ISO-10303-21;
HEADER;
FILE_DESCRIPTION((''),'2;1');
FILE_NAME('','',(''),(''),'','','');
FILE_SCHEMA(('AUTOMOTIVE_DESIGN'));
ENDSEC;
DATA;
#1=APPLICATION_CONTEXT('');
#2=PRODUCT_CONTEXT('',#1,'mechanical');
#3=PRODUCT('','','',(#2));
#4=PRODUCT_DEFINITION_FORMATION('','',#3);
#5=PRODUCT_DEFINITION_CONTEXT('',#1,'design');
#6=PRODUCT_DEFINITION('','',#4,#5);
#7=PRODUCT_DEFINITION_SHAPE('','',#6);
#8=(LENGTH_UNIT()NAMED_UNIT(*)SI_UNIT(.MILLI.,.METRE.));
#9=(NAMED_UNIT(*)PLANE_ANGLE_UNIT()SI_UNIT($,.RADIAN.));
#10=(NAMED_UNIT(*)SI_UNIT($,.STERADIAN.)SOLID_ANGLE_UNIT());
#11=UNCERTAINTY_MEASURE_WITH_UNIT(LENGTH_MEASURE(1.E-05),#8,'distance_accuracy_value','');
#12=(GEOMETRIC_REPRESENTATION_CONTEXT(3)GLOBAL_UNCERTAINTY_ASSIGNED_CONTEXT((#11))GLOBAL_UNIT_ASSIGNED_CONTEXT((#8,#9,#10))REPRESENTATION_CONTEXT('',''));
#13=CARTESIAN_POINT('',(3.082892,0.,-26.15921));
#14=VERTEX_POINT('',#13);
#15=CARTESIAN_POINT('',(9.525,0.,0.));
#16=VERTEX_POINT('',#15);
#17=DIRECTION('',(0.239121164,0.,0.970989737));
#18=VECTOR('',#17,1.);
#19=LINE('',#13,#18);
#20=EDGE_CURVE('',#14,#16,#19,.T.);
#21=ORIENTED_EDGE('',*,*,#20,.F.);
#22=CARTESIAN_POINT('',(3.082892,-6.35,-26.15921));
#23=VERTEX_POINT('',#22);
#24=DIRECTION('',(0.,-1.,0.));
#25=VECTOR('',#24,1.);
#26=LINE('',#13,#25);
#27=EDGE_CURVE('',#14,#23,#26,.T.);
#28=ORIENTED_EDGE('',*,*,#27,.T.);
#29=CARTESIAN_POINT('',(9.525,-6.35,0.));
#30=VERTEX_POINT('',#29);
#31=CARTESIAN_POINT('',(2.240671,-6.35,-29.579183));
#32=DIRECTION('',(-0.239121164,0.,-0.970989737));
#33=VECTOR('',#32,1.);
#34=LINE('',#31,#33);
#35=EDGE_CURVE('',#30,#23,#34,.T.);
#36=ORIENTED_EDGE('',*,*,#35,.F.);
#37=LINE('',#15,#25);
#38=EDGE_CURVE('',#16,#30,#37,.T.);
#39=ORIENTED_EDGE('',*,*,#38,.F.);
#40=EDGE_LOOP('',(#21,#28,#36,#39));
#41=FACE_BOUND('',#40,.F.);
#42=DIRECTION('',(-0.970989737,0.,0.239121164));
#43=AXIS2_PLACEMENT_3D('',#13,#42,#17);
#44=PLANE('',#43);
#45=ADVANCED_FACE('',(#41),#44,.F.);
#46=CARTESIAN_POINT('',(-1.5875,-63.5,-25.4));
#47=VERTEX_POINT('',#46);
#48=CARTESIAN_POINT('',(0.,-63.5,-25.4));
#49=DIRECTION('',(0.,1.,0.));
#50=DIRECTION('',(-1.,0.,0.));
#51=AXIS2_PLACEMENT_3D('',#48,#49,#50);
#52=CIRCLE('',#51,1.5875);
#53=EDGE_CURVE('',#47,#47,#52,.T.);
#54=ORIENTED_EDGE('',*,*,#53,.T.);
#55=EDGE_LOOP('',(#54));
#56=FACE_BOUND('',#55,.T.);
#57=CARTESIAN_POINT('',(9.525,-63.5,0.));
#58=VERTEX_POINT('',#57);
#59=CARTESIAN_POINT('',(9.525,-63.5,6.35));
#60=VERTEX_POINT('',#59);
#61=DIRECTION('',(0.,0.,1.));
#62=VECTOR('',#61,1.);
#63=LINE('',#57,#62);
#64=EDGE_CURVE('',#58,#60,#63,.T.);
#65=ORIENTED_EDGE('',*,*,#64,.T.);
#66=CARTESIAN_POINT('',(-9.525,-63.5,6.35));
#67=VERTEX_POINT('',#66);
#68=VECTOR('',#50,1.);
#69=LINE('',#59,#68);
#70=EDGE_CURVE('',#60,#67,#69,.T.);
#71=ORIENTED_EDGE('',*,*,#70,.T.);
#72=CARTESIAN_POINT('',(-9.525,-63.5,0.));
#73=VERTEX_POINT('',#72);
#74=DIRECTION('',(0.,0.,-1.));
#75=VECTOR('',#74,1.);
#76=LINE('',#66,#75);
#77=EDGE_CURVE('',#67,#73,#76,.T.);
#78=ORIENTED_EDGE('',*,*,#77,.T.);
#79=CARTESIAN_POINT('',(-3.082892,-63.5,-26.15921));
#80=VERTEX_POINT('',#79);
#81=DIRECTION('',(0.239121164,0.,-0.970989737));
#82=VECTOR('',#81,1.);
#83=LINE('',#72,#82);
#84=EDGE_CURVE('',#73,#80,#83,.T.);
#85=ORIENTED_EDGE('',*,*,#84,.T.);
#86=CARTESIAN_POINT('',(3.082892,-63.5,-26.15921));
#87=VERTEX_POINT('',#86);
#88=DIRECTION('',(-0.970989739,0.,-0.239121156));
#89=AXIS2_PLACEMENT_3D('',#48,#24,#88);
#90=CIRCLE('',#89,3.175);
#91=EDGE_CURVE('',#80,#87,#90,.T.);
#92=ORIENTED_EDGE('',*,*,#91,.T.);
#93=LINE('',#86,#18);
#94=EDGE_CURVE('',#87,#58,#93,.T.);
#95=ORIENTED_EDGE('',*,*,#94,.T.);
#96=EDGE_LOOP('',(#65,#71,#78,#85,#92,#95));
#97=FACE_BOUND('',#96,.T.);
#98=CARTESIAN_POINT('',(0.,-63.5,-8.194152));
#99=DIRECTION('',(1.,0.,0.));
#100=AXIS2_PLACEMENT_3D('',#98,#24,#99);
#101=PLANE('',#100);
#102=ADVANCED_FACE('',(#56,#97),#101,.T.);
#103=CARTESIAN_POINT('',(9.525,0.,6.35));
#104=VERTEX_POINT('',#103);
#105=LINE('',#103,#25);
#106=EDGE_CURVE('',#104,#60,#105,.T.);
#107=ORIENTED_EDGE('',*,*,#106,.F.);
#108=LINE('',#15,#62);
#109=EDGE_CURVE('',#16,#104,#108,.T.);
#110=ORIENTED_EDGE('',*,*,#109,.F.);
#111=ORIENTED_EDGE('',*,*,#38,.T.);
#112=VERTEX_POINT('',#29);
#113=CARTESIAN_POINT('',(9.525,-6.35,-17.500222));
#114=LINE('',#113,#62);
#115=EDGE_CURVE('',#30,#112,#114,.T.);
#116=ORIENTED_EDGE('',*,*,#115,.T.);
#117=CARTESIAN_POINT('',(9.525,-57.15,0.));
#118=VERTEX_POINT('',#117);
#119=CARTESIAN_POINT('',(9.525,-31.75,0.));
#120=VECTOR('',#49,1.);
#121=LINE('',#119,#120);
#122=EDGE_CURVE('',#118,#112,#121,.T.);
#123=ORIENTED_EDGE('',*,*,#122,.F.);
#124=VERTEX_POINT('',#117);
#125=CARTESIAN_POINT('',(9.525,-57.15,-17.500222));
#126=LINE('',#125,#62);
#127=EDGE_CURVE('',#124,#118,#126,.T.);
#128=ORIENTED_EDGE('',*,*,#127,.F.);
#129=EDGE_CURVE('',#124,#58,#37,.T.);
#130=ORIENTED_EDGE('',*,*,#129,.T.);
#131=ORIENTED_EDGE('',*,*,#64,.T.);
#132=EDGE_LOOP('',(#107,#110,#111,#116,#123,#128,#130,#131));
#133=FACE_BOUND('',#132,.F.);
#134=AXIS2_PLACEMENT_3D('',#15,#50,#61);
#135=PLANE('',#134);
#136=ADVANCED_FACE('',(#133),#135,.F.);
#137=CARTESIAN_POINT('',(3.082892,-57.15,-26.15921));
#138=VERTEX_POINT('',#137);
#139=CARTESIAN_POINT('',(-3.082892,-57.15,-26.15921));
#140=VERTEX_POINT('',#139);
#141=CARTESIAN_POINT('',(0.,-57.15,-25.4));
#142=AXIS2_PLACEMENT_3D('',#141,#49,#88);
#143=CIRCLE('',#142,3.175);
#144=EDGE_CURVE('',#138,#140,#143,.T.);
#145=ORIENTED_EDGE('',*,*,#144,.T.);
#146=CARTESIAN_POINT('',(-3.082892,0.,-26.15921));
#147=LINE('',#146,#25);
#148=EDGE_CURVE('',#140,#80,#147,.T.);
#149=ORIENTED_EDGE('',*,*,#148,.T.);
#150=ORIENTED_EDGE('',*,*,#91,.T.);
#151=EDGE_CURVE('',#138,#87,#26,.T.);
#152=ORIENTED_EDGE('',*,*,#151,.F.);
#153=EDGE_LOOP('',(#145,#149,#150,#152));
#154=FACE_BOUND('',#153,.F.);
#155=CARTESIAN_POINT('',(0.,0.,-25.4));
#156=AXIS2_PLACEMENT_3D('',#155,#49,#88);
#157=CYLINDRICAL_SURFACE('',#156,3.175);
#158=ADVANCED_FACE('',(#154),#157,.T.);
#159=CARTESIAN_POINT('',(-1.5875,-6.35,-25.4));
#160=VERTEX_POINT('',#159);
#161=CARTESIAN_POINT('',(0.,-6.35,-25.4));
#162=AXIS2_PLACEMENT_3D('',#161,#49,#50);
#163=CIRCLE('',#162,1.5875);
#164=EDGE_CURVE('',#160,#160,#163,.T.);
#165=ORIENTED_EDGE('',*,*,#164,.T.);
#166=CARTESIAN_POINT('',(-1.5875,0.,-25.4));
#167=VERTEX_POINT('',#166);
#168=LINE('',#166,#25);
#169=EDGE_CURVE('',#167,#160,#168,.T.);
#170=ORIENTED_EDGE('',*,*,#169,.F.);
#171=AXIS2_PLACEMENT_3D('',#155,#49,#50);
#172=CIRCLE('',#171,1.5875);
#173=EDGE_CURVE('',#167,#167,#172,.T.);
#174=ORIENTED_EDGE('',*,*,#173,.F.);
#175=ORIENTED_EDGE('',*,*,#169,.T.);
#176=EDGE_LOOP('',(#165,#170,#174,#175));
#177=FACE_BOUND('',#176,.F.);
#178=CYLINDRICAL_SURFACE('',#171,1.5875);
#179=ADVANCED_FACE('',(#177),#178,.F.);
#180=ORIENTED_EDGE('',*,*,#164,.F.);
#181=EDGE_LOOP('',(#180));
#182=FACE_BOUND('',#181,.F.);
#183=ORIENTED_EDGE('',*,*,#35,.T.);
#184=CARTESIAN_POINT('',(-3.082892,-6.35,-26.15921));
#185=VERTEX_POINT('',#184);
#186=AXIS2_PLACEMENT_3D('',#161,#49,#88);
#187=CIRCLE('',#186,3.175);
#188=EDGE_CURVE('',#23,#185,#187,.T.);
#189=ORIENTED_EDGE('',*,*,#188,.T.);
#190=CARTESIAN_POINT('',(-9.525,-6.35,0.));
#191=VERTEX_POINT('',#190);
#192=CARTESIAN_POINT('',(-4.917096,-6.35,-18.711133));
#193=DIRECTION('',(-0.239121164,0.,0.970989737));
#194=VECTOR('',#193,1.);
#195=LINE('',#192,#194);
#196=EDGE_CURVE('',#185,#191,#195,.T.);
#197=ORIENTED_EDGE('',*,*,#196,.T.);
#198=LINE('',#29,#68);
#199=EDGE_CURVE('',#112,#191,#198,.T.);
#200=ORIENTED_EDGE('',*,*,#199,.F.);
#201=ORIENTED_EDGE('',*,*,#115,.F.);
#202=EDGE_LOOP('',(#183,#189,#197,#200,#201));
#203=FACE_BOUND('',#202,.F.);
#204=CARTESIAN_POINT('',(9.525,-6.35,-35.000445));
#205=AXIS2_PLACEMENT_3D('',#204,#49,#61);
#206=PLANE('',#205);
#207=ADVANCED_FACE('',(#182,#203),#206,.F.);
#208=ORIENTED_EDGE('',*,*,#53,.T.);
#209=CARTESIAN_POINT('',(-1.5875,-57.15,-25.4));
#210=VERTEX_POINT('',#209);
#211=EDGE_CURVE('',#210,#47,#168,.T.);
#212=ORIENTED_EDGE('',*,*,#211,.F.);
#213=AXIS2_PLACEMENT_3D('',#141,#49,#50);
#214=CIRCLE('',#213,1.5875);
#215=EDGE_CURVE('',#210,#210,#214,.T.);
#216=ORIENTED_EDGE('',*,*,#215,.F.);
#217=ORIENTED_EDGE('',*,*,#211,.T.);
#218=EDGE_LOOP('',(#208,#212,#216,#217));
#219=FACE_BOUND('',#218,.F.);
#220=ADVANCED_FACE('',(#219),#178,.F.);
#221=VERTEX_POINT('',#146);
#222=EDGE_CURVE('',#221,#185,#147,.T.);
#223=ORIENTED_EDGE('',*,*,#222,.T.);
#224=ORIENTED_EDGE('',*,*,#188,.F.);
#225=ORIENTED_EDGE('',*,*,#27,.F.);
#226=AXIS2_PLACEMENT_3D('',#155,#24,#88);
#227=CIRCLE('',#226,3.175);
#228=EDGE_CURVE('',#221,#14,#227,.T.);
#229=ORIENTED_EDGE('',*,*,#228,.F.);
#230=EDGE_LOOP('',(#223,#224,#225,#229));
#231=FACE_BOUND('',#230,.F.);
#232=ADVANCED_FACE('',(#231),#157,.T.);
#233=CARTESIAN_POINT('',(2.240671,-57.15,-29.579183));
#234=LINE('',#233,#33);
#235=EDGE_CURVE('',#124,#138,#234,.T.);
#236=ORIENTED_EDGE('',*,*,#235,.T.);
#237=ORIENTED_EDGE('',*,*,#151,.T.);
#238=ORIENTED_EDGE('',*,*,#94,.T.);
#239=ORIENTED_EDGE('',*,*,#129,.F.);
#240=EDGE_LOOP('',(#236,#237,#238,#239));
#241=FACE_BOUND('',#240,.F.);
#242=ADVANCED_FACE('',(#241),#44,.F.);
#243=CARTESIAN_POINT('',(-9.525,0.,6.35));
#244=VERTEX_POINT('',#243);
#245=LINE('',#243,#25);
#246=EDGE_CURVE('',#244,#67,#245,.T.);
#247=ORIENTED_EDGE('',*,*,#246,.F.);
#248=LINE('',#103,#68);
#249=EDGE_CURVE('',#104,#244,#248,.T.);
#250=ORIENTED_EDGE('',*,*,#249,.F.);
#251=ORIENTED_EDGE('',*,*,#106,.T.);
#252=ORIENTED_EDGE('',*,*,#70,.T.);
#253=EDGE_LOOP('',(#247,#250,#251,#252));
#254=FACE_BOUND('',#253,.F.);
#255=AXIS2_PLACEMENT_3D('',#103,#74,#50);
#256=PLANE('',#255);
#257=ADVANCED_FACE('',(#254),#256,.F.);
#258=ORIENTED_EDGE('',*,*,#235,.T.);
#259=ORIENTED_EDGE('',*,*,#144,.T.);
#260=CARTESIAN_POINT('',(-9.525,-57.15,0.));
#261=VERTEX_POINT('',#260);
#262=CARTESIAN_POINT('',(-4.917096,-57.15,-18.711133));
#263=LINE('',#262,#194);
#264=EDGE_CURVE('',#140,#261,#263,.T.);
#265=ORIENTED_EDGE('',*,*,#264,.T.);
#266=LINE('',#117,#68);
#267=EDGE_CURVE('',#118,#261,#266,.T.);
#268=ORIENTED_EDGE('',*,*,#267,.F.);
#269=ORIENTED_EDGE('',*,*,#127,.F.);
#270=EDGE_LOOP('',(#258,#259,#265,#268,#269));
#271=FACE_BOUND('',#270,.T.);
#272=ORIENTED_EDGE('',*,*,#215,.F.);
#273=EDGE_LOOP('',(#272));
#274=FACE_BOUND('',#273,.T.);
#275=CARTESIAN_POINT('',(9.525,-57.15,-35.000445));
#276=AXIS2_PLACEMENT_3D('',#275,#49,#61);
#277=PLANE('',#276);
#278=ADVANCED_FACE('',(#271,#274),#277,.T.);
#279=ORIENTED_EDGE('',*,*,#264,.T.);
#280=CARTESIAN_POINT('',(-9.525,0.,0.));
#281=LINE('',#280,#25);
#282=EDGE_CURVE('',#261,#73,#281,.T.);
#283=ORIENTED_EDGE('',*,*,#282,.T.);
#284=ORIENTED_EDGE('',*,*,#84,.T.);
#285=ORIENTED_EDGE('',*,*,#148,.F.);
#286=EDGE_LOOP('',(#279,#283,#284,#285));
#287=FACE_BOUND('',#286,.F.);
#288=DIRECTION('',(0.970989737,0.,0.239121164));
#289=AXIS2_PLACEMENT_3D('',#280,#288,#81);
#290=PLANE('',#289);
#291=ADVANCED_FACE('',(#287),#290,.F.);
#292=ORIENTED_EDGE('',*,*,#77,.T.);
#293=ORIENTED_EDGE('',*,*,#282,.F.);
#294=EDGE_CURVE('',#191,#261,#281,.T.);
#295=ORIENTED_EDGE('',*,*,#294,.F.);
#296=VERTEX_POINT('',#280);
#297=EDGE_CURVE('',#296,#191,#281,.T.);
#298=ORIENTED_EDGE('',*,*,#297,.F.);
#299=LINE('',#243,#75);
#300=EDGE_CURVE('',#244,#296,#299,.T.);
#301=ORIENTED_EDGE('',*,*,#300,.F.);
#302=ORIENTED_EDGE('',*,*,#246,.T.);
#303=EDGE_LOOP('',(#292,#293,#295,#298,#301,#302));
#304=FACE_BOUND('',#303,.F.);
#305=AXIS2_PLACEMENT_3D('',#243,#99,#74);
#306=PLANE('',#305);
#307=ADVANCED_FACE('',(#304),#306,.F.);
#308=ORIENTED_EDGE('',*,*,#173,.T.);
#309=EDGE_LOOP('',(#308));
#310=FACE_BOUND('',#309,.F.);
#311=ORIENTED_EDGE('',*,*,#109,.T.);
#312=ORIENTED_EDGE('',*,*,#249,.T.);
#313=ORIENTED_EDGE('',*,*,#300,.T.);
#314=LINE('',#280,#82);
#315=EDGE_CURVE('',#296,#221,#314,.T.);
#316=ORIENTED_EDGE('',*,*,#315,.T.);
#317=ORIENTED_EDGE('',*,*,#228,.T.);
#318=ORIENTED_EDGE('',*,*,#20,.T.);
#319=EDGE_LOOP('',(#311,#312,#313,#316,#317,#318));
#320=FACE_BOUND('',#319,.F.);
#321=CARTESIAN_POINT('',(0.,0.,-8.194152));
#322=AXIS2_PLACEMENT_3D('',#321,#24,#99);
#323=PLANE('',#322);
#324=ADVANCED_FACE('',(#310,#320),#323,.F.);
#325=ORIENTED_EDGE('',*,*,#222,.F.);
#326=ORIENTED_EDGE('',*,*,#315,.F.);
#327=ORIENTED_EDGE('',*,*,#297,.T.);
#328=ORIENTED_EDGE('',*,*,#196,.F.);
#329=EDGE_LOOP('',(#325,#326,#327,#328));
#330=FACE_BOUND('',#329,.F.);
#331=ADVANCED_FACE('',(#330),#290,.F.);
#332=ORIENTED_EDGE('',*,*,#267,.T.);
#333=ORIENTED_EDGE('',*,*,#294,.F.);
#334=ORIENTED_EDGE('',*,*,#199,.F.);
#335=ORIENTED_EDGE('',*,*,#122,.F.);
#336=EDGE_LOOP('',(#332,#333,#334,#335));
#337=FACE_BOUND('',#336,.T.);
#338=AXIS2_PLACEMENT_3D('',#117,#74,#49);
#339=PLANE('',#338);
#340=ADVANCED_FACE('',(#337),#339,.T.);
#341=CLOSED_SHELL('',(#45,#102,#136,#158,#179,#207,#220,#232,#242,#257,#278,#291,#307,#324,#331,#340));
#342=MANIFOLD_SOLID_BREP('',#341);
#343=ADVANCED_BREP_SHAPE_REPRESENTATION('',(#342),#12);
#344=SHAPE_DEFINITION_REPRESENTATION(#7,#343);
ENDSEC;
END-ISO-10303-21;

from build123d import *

# Parameters (mm, degrees)
F1_DEPTH = 63.5
F2_W     = 50.8
F2_H     = 35.000445
F3_DEPTH = 19.051
F4_R     = 1.5875
F5_DEPTH = 63.501


with BuildPart() as f1:
    # F0 (on Front) → F1 (new body)
    with BuildSketch(Plane.XZ):
        with BuildLine():
            Line((-9.525, 6.35), (-9.525, 0))
            Line((-9.525, 0), (-3.082892, -26.15921))
            ThreePointArc((-3.082892, -26.15921), (0, -28.575), (3.082892, -26.15921))
            Line((3.082892, -26.15921), (9.525, 0))
            Line((9.525, 0), (9.525, 6.35))
            Line((9.525, 6.35), (-9.525, 6.35))
        make_face()
    extrude(amount=F1_DEPTH)

    # F2 (on face) → F3 (cut, through all)
    with BuildSketch(Plane.YZ.offset(9.525)):
        with Locations((-31.75, -17.500222)):
            Rectangle(F2_W, F2_H)
    extrude(amount=-F3_DEPTH, mode=Mode.SUBTRACT)

    # F4 (on face) → F5 (cut, through all)
    with BuildSketch(Plane(origin=(0, 0, 0), x_dir=(-1, 0, 0), z_dir=(0, 1, 0))):
        with Locations((0, -25.4)):
            Circle(F4_R)
    extrude(amount=-F5_DEPTH, mode=Mode.SUBTRACT)


solid = f1.part
